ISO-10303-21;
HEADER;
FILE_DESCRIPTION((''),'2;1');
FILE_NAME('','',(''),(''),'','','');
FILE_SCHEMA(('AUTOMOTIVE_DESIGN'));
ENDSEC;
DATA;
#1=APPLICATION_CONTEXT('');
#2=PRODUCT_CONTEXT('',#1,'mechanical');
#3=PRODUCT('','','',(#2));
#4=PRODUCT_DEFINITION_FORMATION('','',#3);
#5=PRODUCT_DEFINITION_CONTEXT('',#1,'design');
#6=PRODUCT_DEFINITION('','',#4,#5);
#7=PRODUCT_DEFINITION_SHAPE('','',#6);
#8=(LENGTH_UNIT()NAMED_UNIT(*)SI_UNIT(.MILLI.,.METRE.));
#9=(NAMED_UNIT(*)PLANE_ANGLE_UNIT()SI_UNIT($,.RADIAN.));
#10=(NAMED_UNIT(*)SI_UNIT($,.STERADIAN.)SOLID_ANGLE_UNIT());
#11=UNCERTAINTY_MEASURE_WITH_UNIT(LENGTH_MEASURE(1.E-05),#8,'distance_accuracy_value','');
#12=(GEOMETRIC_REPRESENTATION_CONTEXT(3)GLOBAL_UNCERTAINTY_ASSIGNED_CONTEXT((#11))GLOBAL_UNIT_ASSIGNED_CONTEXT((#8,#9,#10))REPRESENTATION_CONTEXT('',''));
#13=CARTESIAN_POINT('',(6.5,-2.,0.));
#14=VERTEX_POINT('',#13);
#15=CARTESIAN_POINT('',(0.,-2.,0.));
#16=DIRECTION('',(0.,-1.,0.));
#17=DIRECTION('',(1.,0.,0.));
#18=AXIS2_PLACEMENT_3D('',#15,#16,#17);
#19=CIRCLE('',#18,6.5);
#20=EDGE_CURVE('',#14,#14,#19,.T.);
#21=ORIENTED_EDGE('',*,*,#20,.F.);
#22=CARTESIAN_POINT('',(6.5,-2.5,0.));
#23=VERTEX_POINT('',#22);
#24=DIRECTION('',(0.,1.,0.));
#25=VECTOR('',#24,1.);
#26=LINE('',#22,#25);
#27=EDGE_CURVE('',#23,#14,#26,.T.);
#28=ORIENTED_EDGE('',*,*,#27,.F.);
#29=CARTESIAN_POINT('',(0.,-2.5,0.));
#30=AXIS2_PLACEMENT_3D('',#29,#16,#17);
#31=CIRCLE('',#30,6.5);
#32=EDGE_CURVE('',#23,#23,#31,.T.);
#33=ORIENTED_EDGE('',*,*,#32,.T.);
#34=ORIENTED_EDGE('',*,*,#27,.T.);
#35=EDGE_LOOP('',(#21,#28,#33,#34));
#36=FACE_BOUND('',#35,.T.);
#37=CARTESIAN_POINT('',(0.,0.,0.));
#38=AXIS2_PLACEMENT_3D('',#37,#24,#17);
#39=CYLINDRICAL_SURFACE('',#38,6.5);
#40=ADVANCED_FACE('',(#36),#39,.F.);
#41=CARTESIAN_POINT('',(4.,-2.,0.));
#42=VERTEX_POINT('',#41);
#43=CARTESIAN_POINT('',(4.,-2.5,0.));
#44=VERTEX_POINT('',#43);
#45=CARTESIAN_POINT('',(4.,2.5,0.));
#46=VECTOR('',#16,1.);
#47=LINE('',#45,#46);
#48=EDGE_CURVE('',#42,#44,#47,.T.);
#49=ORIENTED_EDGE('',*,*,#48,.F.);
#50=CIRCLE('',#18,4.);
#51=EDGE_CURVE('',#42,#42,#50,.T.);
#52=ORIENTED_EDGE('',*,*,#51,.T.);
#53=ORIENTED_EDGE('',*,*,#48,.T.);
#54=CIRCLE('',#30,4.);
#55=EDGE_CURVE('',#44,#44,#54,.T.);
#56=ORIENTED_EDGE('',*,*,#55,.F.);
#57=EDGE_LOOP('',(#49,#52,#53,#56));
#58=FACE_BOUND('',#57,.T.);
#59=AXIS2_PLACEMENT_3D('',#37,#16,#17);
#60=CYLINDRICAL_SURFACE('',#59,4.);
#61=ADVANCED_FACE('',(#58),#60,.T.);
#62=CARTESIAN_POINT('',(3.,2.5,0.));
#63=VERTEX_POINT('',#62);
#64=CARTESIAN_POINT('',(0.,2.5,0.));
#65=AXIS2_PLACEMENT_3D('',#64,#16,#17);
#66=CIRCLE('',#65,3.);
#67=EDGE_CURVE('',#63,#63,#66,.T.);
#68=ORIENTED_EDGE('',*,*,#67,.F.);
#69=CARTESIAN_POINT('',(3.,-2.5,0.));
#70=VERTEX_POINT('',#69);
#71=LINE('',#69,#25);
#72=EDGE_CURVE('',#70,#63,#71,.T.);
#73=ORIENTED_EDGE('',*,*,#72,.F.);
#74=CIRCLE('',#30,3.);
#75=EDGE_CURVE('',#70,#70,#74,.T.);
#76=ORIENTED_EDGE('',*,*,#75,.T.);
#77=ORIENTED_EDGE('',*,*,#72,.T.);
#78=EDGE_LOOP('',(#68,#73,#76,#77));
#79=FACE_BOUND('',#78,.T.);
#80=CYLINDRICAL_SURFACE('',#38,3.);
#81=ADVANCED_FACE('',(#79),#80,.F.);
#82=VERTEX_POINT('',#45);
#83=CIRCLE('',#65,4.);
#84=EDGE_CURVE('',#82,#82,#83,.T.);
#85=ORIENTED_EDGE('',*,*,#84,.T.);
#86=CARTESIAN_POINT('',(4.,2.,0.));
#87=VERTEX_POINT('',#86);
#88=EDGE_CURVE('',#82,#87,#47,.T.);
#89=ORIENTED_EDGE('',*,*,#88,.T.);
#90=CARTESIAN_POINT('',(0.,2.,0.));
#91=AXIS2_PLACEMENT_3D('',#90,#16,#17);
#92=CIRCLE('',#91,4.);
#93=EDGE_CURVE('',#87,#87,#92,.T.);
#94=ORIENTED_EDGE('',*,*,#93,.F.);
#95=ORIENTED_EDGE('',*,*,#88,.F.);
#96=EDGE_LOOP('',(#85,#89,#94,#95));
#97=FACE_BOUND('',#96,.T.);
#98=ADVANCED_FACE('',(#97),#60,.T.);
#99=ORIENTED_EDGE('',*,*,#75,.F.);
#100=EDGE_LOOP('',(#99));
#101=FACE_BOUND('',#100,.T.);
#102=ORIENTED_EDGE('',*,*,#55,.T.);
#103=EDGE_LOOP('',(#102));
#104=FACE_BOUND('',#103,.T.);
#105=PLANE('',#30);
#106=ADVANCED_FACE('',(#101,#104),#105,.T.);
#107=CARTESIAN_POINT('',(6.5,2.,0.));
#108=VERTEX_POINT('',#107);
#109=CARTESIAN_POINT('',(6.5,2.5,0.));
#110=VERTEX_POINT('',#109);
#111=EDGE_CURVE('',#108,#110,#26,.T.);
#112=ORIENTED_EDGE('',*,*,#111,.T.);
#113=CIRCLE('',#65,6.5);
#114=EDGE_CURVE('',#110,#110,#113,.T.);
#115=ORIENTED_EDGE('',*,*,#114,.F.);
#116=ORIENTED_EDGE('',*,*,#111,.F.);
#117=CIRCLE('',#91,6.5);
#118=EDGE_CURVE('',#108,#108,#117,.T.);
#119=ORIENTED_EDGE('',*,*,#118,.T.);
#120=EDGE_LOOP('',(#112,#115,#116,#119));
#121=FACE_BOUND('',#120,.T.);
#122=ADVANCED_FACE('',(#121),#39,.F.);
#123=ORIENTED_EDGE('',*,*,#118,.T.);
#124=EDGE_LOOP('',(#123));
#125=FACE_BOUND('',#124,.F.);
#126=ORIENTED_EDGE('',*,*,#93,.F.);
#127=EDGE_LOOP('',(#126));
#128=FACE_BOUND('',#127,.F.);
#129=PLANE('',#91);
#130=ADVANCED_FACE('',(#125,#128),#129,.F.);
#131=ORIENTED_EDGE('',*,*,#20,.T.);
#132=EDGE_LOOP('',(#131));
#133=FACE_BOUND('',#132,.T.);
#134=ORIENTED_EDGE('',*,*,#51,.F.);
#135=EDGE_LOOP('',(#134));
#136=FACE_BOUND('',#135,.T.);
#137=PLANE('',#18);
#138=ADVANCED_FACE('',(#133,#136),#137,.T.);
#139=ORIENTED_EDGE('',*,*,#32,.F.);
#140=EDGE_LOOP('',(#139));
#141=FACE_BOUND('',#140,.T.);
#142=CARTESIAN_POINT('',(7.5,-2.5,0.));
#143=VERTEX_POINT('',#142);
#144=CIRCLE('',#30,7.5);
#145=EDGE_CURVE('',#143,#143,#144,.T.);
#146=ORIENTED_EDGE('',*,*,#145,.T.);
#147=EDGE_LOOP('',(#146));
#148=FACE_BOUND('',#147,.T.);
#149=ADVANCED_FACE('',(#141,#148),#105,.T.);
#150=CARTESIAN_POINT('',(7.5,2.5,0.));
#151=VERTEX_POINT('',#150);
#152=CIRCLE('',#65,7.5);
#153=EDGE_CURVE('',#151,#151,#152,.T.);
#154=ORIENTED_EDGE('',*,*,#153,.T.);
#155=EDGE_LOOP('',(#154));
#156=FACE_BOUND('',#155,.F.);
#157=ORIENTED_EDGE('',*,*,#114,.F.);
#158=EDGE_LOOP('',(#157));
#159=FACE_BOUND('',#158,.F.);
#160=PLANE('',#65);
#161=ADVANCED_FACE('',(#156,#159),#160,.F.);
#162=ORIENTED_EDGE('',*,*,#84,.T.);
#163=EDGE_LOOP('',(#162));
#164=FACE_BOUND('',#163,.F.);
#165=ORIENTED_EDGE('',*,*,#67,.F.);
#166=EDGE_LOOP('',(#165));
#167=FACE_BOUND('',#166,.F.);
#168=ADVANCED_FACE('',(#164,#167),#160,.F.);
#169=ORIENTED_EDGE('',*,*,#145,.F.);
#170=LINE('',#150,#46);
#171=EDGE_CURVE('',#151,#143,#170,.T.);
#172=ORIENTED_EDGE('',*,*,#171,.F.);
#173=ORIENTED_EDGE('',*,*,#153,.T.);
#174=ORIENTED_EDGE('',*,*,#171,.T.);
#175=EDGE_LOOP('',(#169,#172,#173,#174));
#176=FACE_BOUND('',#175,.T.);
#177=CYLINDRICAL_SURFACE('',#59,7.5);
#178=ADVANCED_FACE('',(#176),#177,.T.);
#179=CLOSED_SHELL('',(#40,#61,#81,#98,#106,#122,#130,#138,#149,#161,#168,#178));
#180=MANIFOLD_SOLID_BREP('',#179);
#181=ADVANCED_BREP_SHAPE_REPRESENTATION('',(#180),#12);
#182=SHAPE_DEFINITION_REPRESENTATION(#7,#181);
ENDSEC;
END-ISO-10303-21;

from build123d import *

# Parameters (mm, degrees)
F0_R     = 7.5
F0_R_2   = 6.5
F1_DEPTH = 2.5
F0_R_3   = 4
F2_DEPTH = 2
F0_R_4   = 3
F3_DEPTH = 2.5


with BuildPart() as f1:
    # F0 (on Front) → F1 (new body, symmetric)
    with BuildSketch(Plane.XZ):
        Circle(F0_R)
        Circle(F0_R_2, mode=Mode.SUBTRACT)
    extrude(amount=F1_DEPTH, both=True)

    # F0 (on Front) → F2 (join, symmetric)
    with BuildSketch(Plane.XZ):
        Circle(F0_R_2)
        Circle(F0_R_3, mode=Mode.SUBTRACT)
    extrude(amount=F2_DEPTH, both=True)

    # F0 (on Front) → F3 (join, symmetric)
    with BuildSketch(Plane.XZ):
        Circle(F0_R_3)
        Circle(F0_R_4, mode=Mode.SUBTRACT)
    extrude(amount=F3_DEPTH, both=True)


solid = f1.part
